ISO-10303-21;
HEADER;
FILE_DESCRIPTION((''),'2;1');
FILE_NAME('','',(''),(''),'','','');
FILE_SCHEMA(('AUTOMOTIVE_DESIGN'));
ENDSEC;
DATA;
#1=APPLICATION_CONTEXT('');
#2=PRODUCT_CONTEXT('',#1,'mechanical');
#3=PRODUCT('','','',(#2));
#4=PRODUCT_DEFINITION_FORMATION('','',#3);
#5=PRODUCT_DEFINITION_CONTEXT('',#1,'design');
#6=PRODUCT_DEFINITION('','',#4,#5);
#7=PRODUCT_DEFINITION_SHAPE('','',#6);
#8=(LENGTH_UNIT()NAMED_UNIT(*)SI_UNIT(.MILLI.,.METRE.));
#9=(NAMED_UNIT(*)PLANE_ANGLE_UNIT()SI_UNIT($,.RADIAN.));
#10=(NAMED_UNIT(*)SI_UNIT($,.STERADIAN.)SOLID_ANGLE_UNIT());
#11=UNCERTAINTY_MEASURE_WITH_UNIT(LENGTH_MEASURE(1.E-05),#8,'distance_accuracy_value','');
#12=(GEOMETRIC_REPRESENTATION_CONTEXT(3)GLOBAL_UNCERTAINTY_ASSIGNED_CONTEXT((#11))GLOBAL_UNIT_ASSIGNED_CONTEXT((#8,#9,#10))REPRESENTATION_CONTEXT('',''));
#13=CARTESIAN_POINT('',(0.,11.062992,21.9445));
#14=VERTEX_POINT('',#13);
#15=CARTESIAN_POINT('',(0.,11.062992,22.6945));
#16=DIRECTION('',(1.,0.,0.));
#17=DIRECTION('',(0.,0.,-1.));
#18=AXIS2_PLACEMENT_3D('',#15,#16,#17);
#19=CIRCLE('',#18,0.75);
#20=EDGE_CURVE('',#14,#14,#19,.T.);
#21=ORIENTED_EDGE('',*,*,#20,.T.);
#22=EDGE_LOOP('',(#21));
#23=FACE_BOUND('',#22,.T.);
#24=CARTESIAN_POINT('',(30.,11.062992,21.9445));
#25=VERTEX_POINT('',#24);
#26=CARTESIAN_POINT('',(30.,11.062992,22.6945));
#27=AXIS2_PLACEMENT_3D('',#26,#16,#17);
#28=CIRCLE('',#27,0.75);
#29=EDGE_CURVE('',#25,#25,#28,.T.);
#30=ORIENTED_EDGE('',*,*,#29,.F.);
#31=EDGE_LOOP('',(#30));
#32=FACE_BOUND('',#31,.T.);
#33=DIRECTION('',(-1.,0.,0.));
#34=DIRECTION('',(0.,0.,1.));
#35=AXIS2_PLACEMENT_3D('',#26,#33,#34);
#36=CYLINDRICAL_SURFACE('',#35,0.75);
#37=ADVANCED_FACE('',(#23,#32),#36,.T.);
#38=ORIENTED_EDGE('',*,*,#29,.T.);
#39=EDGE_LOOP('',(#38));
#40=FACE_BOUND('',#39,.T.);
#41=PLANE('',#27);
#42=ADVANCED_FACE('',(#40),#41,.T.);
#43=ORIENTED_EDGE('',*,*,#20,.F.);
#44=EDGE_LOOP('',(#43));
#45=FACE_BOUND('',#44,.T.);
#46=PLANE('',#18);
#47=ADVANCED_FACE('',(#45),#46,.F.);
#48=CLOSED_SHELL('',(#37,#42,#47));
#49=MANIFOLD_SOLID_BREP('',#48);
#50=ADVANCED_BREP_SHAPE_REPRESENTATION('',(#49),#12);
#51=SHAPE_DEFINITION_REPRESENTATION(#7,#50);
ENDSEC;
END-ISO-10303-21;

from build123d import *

# Parameters (mm, degrees)
SKETCH1_R           = 0.75
BOSS_EXTRUDE1_DEPTH = 30


with BuildPart() as part:
    # Sketch1 → Boss-Extrude1 (new body)
    with BuildSketch(Plane(origin=(0, 0, 0), x_dir=(0, 0, -1), z_dir=(1, 0, 0))):
        with Locations((-22.694500217, 11.062992171)):
            Circle(SKETCH1_R)
    extrude(amount=BOSS_EXTRUDE1_DEPTH)


solid = part.part
